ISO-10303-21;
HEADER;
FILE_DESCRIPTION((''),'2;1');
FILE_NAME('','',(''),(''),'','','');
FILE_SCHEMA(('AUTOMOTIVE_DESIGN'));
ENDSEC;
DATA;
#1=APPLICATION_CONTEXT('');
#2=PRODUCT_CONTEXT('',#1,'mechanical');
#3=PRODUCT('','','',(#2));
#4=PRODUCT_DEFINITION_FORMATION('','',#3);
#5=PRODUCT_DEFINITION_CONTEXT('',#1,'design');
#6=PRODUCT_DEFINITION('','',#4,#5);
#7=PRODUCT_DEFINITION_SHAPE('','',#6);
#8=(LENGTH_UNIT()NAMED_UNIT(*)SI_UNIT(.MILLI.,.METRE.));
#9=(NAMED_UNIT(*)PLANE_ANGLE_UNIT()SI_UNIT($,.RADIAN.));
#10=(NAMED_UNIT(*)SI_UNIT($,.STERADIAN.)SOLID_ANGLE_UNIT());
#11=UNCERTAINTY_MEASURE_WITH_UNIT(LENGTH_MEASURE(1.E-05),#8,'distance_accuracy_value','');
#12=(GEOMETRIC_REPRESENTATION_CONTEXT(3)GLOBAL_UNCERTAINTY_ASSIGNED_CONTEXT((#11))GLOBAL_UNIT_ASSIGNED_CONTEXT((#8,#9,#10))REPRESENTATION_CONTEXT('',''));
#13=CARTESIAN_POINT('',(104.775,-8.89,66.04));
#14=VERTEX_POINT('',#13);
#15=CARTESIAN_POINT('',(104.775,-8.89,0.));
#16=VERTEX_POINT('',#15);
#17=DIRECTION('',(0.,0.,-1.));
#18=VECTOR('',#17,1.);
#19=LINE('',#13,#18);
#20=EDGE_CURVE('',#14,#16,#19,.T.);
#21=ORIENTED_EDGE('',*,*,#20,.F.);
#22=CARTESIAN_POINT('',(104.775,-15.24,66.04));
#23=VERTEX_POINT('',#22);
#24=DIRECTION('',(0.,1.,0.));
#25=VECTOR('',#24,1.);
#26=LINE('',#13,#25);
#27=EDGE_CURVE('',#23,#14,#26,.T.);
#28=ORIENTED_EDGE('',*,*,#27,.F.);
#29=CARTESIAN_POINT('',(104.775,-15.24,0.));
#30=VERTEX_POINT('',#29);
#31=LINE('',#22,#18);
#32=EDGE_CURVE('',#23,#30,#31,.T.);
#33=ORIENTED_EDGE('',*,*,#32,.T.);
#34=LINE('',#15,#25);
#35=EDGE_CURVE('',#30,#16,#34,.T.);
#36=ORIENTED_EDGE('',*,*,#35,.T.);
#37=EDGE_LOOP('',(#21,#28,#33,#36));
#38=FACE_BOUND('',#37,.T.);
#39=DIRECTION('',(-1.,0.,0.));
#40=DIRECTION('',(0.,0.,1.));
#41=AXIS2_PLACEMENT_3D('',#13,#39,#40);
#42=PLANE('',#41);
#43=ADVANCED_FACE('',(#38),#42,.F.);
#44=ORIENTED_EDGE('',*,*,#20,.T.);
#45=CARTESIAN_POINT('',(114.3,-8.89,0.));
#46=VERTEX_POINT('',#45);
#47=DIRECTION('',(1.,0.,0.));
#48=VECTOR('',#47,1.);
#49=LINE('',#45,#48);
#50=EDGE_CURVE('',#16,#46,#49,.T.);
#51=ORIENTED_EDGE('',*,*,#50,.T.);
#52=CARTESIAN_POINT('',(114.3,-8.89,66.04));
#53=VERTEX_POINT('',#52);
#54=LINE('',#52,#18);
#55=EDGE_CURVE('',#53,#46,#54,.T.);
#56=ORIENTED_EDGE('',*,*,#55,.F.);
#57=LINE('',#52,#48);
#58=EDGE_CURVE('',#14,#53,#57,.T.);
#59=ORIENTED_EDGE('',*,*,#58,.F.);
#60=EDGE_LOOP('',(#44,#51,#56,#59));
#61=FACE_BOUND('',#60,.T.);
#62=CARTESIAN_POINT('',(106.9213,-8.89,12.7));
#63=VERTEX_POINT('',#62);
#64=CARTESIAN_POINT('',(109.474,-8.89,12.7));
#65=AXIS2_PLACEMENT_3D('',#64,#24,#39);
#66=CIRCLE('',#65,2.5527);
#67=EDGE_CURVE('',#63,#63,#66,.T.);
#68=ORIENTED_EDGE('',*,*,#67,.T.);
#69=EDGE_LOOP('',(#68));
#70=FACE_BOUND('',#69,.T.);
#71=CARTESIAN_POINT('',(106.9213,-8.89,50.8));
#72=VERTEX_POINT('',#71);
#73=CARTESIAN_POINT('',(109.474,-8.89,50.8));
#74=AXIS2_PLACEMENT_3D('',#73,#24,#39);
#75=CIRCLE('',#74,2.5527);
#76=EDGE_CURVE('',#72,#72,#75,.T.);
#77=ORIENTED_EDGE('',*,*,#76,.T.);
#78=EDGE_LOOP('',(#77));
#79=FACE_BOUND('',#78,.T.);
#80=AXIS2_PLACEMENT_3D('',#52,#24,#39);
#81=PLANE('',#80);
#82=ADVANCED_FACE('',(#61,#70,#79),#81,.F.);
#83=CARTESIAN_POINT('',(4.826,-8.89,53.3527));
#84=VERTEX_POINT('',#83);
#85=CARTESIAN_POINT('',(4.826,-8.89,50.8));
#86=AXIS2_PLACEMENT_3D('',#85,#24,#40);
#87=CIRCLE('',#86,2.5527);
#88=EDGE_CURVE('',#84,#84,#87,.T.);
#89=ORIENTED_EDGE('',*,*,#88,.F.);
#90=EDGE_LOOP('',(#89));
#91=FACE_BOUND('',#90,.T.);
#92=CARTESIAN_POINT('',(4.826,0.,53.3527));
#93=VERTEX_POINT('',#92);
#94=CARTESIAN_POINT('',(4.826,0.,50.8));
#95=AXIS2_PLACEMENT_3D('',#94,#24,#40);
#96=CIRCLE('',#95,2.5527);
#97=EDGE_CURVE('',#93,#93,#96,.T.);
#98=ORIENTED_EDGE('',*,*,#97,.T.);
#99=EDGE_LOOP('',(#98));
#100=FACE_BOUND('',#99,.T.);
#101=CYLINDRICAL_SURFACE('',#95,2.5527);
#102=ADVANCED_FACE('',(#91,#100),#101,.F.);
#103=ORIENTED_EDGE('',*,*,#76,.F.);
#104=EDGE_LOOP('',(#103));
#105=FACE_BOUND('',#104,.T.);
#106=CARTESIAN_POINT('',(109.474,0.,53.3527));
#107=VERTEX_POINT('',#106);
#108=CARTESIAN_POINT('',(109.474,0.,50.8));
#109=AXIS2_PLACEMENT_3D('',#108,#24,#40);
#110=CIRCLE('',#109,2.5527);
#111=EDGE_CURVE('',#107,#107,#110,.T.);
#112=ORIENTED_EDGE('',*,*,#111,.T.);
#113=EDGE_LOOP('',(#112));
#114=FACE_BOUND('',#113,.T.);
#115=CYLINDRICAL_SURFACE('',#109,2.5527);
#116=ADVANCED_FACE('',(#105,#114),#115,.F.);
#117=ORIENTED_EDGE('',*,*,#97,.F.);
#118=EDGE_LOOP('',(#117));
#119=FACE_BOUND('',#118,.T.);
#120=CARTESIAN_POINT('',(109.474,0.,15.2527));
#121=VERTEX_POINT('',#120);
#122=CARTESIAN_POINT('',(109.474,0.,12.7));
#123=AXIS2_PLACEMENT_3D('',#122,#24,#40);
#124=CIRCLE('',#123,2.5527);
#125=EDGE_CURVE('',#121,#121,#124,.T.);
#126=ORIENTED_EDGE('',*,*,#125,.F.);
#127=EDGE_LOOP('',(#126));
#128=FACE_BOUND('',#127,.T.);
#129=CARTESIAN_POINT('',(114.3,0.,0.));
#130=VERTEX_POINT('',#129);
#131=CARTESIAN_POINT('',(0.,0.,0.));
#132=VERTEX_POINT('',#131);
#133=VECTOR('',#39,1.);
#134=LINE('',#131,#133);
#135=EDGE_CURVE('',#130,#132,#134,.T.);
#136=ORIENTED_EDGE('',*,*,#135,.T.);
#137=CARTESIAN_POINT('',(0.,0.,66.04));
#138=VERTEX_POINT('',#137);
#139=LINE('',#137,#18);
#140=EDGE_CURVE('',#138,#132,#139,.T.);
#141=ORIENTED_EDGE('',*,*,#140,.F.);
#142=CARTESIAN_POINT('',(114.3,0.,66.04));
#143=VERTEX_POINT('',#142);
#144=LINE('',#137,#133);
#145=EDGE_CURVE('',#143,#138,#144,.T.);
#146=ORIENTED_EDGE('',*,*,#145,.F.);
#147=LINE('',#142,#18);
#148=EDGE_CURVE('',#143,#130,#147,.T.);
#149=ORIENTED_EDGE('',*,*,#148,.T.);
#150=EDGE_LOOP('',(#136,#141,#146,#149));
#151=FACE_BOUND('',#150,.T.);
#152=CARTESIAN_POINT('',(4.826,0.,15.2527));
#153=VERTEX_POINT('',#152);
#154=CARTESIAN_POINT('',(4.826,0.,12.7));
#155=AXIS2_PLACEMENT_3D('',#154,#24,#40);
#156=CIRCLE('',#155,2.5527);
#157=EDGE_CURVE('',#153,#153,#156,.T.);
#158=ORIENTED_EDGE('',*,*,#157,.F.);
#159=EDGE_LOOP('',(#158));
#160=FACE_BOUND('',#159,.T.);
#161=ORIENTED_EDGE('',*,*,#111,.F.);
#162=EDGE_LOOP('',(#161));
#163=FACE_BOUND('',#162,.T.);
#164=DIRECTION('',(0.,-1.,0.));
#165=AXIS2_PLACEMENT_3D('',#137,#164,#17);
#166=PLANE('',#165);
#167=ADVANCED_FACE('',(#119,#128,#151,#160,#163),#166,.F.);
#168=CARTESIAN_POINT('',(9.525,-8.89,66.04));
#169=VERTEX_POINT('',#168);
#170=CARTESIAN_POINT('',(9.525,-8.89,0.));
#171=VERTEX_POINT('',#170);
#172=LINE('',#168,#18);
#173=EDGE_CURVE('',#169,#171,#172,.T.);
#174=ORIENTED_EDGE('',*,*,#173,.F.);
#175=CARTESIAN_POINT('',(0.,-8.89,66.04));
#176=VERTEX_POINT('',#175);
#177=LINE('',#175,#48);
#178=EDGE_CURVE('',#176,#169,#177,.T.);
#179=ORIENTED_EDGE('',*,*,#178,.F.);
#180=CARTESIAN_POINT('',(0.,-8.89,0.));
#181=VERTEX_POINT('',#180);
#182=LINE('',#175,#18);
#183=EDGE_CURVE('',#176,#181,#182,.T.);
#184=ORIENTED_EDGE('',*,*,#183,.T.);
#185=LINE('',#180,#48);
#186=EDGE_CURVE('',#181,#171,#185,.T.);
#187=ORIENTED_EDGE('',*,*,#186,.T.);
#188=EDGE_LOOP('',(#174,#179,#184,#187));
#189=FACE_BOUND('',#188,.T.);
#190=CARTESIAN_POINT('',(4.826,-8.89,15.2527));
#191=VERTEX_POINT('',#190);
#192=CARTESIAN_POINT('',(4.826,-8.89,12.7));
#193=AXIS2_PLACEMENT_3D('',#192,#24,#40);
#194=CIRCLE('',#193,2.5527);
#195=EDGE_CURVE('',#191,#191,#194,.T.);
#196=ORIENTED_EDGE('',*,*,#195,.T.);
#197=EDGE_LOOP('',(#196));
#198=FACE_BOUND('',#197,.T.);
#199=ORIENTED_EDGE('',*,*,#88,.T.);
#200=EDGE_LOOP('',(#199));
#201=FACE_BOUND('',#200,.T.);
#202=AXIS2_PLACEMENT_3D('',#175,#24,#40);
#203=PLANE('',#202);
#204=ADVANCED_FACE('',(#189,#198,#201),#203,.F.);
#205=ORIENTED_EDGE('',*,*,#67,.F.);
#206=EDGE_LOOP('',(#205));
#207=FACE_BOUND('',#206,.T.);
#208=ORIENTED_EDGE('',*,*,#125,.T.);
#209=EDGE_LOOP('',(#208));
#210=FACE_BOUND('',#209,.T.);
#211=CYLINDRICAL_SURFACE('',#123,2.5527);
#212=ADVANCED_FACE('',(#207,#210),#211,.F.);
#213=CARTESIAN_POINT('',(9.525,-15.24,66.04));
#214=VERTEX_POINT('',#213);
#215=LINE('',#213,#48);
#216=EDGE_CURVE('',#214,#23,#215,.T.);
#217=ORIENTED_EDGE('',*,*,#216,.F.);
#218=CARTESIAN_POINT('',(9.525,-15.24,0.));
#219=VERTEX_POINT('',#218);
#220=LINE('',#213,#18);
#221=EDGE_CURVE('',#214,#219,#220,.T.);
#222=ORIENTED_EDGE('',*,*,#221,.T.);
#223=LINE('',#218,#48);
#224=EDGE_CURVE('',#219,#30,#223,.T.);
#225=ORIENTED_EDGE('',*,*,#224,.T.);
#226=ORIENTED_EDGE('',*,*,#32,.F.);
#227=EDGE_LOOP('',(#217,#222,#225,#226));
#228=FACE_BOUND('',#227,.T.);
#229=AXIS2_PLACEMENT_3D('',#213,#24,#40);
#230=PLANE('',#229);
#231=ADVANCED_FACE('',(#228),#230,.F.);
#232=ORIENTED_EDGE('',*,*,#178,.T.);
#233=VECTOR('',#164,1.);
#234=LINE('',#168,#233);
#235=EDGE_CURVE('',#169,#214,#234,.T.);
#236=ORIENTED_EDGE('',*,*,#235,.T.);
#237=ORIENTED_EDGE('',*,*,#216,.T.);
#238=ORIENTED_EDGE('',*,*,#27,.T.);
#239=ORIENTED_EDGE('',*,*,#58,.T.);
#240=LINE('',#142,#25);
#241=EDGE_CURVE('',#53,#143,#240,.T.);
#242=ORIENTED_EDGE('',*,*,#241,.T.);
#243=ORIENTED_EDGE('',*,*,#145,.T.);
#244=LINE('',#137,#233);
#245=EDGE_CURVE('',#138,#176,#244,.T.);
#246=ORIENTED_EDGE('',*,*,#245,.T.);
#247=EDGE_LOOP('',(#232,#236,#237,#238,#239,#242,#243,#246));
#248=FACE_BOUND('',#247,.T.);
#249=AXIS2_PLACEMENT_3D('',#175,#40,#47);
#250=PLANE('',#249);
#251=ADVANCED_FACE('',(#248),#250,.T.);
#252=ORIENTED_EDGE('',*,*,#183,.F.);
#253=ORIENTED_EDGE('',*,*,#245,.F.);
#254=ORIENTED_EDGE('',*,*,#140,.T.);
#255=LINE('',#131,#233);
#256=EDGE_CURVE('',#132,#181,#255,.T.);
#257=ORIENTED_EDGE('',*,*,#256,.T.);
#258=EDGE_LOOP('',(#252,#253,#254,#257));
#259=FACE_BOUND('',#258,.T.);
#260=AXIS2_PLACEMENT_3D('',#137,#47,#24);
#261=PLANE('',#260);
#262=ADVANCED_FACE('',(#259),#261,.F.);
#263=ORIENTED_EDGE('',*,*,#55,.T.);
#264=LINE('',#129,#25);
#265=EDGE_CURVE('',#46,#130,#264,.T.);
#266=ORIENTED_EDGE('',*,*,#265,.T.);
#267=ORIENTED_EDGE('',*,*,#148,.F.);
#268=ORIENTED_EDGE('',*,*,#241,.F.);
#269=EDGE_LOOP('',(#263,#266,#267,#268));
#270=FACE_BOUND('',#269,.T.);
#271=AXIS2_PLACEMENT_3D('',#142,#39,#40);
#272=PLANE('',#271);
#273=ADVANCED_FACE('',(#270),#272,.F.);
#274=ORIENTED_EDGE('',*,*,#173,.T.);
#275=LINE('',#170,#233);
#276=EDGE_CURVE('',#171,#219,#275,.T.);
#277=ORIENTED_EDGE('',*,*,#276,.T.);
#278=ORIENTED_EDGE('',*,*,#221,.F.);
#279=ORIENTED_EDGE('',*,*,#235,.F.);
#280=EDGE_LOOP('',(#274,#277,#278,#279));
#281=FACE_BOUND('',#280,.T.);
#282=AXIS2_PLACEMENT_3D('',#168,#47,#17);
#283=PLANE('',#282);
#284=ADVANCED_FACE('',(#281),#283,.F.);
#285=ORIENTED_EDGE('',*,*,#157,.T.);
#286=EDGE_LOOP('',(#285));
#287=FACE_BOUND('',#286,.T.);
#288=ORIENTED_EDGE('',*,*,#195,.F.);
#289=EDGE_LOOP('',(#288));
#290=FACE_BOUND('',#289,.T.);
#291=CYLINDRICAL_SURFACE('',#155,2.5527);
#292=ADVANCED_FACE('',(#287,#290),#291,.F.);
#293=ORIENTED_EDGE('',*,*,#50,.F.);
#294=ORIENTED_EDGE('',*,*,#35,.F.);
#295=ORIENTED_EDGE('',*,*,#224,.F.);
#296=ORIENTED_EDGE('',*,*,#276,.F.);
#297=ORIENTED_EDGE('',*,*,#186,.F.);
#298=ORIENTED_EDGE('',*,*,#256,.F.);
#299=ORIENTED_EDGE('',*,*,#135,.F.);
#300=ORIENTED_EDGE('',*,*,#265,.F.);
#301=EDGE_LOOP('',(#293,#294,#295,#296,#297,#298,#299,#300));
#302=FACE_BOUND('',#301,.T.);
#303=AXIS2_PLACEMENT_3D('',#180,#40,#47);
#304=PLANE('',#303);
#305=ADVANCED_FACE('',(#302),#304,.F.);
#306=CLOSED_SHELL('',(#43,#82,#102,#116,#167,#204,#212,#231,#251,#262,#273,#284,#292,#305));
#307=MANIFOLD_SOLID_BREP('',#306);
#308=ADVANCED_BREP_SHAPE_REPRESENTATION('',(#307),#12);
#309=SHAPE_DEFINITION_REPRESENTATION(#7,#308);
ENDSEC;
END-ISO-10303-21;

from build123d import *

# Parameters (mm, degrees)
BOSS_EXTRUDE1_DEPTH    = 66.04
F_10_CLEARANCE_HOLE1_D = 5.1054


with BuildPart() as part:
    # Sketch2 → Boss-Extrude1 (new body)
    with BuildSketch(Plane.XY):
        Polygon((0, 0), (114.3, 0), (114.3, -8.89), (104.775, -8.89), (104.775, -15.24), (9.525, -15.24), (9.525, -8.89), (0, -8.89), align=None)
    extrude(amount=BOSS_EXTRUDE1_DEPTH)

    # #10 Clearance Hole1 (through all)
    with Locations(Plane(origin=(4.826, 0, 12.7), x_dir=(0, 0, 1), z_dir=(0, 1, 0))):
        with Locations((0, 0), (38.1, 0), (38.1, 104.648), (0, 104.648)):
            Hole(F_10_CLEARANCE_HOLE1_D / 2)


solid = part.part
